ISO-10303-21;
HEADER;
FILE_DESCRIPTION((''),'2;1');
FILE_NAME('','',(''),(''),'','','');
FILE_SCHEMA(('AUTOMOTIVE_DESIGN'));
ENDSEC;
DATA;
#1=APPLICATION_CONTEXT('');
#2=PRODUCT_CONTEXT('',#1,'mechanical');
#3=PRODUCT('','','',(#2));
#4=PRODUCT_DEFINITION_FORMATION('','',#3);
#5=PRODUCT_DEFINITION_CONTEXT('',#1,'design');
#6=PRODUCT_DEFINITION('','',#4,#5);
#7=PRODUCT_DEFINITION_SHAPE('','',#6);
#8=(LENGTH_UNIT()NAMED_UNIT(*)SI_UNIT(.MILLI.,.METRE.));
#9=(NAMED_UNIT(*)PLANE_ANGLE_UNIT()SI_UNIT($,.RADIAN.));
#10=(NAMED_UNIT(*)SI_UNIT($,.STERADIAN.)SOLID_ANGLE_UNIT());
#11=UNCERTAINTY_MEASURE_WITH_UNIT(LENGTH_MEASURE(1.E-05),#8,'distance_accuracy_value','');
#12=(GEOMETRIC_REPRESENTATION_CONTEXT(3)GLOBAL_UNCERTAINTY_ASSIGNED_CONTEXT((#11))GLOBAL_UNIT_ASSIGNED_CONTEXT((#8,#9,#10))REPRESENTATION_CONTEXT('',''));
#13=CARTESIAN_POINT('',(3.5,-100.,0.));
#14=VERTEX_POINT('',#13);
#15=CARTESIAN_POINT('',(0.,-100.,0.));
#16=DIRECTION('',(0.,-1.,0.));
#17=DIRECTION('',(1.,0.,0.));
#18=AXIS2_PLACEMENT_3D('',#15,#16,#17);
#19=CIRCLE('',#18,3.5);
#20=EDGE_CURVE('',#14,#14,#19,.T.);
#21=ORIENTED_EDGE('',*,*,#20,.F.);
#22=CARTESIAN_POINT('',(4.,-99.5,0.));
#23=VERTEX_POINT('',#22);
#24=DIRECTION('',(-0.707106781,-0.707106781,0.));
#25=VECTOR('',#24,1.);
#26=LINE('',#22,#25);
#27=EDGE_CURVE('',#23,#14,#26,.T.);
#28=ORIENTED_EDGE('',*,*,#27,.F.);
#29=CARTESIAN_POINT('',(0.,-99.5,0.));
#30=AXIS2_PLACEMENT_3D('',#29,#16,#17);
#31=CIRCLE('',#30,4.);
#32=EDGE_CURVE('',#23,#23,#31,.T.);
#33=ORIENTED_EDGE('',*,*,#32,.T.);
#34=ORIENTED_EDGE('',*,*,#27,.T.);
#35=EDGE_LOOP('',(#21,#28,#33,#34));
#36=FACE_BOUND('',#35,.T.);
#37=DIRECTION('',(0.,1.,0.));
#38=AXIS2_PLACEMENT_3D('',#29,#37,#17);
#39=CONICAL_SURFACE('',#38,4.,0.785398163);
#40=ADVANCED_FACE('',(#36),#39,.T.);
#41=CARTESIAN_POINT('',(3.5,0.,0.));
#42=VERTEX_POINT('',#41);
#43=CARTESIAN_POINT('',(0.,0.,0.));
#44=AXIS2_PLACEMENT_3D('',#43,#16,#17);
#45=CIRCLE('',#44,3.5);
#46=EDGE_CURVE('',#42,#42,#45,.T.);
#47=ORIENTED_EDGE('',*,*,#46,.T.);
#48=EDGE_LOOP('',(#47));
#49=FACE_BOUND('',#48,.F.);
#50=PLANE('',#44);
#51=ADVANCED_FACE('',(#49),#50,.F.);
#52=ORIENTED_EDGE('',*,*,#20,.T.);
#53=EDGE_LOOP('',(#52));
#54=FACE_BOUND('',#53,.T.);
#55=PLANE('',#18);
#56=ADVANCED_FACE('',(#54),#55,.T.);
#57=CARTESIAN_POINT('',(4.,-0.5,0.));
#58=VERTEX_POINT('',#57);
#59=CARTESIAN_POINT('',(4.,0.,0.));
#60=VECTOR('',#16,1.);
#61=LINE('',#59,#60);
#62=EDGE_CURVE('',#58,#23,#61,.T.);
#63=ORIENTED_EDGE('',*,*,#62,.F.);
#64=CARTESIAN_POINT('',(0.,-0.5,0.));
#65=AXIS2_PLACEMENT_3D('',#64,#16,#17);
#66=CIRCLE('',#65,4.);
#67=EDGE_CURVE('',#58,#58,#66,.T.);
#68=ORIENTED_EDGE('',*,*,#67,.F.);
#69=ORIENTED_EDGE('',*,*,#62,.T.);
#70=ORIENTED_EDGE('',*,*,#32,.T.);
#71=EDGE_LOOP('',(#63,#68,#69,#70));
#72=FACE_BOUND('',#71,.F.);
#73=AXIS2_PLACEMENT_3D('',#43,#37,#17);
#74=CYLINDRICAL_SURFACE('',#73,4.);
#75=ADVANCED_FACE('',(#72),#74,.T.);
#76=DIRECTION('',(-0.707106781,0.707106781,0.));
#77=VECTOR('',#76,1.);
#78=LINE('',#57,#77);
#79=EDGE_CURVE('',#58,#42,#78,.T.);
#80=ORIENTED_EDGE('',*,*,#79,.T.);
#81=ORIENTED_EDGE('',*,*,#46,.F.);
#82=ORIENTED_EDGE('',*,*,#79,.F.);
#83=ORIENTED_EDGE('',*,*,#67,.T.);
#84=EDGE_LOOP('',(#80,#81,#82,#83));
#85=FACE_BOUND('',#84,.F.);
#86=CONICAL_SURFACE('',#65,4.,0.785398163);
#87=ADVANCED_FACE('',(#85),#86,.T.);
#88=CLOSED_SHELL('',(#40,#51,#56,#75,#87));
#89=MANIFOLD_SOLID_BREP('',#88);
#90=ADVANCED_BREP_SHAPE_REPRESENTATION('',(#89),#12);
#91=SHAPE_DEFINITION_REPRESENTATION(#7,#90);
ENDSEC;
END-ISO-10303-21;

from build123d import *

# Parameters (mm, degrees)
F0_R     = 4
F1_DEPTH = 100
F2_SIZE  = 0.5
F3_SIZE  = 0.5


with BuildPart() as f1:
    # F0 (on Front) → F1 (new body)
    with BuildSketch(Plane.XZ):
        Circle(F0_R)
    extrude(amount=F1_DEPTH)

    # F2
    f2_edges = [f1.edges().sort_by_distance(p)[0] for p in [
        (-4, 0, 0),
    ]]
    chamfer(f2_edges, length=F2_SIZE)

    # F3
    f3_edges = [f1.edges().sort_by_distance(p)[0] for p in [
        (-4, -100, 0),
    ]]
    chamfer(f3_edges, length=F3_SIZE)


solid = f1.part
